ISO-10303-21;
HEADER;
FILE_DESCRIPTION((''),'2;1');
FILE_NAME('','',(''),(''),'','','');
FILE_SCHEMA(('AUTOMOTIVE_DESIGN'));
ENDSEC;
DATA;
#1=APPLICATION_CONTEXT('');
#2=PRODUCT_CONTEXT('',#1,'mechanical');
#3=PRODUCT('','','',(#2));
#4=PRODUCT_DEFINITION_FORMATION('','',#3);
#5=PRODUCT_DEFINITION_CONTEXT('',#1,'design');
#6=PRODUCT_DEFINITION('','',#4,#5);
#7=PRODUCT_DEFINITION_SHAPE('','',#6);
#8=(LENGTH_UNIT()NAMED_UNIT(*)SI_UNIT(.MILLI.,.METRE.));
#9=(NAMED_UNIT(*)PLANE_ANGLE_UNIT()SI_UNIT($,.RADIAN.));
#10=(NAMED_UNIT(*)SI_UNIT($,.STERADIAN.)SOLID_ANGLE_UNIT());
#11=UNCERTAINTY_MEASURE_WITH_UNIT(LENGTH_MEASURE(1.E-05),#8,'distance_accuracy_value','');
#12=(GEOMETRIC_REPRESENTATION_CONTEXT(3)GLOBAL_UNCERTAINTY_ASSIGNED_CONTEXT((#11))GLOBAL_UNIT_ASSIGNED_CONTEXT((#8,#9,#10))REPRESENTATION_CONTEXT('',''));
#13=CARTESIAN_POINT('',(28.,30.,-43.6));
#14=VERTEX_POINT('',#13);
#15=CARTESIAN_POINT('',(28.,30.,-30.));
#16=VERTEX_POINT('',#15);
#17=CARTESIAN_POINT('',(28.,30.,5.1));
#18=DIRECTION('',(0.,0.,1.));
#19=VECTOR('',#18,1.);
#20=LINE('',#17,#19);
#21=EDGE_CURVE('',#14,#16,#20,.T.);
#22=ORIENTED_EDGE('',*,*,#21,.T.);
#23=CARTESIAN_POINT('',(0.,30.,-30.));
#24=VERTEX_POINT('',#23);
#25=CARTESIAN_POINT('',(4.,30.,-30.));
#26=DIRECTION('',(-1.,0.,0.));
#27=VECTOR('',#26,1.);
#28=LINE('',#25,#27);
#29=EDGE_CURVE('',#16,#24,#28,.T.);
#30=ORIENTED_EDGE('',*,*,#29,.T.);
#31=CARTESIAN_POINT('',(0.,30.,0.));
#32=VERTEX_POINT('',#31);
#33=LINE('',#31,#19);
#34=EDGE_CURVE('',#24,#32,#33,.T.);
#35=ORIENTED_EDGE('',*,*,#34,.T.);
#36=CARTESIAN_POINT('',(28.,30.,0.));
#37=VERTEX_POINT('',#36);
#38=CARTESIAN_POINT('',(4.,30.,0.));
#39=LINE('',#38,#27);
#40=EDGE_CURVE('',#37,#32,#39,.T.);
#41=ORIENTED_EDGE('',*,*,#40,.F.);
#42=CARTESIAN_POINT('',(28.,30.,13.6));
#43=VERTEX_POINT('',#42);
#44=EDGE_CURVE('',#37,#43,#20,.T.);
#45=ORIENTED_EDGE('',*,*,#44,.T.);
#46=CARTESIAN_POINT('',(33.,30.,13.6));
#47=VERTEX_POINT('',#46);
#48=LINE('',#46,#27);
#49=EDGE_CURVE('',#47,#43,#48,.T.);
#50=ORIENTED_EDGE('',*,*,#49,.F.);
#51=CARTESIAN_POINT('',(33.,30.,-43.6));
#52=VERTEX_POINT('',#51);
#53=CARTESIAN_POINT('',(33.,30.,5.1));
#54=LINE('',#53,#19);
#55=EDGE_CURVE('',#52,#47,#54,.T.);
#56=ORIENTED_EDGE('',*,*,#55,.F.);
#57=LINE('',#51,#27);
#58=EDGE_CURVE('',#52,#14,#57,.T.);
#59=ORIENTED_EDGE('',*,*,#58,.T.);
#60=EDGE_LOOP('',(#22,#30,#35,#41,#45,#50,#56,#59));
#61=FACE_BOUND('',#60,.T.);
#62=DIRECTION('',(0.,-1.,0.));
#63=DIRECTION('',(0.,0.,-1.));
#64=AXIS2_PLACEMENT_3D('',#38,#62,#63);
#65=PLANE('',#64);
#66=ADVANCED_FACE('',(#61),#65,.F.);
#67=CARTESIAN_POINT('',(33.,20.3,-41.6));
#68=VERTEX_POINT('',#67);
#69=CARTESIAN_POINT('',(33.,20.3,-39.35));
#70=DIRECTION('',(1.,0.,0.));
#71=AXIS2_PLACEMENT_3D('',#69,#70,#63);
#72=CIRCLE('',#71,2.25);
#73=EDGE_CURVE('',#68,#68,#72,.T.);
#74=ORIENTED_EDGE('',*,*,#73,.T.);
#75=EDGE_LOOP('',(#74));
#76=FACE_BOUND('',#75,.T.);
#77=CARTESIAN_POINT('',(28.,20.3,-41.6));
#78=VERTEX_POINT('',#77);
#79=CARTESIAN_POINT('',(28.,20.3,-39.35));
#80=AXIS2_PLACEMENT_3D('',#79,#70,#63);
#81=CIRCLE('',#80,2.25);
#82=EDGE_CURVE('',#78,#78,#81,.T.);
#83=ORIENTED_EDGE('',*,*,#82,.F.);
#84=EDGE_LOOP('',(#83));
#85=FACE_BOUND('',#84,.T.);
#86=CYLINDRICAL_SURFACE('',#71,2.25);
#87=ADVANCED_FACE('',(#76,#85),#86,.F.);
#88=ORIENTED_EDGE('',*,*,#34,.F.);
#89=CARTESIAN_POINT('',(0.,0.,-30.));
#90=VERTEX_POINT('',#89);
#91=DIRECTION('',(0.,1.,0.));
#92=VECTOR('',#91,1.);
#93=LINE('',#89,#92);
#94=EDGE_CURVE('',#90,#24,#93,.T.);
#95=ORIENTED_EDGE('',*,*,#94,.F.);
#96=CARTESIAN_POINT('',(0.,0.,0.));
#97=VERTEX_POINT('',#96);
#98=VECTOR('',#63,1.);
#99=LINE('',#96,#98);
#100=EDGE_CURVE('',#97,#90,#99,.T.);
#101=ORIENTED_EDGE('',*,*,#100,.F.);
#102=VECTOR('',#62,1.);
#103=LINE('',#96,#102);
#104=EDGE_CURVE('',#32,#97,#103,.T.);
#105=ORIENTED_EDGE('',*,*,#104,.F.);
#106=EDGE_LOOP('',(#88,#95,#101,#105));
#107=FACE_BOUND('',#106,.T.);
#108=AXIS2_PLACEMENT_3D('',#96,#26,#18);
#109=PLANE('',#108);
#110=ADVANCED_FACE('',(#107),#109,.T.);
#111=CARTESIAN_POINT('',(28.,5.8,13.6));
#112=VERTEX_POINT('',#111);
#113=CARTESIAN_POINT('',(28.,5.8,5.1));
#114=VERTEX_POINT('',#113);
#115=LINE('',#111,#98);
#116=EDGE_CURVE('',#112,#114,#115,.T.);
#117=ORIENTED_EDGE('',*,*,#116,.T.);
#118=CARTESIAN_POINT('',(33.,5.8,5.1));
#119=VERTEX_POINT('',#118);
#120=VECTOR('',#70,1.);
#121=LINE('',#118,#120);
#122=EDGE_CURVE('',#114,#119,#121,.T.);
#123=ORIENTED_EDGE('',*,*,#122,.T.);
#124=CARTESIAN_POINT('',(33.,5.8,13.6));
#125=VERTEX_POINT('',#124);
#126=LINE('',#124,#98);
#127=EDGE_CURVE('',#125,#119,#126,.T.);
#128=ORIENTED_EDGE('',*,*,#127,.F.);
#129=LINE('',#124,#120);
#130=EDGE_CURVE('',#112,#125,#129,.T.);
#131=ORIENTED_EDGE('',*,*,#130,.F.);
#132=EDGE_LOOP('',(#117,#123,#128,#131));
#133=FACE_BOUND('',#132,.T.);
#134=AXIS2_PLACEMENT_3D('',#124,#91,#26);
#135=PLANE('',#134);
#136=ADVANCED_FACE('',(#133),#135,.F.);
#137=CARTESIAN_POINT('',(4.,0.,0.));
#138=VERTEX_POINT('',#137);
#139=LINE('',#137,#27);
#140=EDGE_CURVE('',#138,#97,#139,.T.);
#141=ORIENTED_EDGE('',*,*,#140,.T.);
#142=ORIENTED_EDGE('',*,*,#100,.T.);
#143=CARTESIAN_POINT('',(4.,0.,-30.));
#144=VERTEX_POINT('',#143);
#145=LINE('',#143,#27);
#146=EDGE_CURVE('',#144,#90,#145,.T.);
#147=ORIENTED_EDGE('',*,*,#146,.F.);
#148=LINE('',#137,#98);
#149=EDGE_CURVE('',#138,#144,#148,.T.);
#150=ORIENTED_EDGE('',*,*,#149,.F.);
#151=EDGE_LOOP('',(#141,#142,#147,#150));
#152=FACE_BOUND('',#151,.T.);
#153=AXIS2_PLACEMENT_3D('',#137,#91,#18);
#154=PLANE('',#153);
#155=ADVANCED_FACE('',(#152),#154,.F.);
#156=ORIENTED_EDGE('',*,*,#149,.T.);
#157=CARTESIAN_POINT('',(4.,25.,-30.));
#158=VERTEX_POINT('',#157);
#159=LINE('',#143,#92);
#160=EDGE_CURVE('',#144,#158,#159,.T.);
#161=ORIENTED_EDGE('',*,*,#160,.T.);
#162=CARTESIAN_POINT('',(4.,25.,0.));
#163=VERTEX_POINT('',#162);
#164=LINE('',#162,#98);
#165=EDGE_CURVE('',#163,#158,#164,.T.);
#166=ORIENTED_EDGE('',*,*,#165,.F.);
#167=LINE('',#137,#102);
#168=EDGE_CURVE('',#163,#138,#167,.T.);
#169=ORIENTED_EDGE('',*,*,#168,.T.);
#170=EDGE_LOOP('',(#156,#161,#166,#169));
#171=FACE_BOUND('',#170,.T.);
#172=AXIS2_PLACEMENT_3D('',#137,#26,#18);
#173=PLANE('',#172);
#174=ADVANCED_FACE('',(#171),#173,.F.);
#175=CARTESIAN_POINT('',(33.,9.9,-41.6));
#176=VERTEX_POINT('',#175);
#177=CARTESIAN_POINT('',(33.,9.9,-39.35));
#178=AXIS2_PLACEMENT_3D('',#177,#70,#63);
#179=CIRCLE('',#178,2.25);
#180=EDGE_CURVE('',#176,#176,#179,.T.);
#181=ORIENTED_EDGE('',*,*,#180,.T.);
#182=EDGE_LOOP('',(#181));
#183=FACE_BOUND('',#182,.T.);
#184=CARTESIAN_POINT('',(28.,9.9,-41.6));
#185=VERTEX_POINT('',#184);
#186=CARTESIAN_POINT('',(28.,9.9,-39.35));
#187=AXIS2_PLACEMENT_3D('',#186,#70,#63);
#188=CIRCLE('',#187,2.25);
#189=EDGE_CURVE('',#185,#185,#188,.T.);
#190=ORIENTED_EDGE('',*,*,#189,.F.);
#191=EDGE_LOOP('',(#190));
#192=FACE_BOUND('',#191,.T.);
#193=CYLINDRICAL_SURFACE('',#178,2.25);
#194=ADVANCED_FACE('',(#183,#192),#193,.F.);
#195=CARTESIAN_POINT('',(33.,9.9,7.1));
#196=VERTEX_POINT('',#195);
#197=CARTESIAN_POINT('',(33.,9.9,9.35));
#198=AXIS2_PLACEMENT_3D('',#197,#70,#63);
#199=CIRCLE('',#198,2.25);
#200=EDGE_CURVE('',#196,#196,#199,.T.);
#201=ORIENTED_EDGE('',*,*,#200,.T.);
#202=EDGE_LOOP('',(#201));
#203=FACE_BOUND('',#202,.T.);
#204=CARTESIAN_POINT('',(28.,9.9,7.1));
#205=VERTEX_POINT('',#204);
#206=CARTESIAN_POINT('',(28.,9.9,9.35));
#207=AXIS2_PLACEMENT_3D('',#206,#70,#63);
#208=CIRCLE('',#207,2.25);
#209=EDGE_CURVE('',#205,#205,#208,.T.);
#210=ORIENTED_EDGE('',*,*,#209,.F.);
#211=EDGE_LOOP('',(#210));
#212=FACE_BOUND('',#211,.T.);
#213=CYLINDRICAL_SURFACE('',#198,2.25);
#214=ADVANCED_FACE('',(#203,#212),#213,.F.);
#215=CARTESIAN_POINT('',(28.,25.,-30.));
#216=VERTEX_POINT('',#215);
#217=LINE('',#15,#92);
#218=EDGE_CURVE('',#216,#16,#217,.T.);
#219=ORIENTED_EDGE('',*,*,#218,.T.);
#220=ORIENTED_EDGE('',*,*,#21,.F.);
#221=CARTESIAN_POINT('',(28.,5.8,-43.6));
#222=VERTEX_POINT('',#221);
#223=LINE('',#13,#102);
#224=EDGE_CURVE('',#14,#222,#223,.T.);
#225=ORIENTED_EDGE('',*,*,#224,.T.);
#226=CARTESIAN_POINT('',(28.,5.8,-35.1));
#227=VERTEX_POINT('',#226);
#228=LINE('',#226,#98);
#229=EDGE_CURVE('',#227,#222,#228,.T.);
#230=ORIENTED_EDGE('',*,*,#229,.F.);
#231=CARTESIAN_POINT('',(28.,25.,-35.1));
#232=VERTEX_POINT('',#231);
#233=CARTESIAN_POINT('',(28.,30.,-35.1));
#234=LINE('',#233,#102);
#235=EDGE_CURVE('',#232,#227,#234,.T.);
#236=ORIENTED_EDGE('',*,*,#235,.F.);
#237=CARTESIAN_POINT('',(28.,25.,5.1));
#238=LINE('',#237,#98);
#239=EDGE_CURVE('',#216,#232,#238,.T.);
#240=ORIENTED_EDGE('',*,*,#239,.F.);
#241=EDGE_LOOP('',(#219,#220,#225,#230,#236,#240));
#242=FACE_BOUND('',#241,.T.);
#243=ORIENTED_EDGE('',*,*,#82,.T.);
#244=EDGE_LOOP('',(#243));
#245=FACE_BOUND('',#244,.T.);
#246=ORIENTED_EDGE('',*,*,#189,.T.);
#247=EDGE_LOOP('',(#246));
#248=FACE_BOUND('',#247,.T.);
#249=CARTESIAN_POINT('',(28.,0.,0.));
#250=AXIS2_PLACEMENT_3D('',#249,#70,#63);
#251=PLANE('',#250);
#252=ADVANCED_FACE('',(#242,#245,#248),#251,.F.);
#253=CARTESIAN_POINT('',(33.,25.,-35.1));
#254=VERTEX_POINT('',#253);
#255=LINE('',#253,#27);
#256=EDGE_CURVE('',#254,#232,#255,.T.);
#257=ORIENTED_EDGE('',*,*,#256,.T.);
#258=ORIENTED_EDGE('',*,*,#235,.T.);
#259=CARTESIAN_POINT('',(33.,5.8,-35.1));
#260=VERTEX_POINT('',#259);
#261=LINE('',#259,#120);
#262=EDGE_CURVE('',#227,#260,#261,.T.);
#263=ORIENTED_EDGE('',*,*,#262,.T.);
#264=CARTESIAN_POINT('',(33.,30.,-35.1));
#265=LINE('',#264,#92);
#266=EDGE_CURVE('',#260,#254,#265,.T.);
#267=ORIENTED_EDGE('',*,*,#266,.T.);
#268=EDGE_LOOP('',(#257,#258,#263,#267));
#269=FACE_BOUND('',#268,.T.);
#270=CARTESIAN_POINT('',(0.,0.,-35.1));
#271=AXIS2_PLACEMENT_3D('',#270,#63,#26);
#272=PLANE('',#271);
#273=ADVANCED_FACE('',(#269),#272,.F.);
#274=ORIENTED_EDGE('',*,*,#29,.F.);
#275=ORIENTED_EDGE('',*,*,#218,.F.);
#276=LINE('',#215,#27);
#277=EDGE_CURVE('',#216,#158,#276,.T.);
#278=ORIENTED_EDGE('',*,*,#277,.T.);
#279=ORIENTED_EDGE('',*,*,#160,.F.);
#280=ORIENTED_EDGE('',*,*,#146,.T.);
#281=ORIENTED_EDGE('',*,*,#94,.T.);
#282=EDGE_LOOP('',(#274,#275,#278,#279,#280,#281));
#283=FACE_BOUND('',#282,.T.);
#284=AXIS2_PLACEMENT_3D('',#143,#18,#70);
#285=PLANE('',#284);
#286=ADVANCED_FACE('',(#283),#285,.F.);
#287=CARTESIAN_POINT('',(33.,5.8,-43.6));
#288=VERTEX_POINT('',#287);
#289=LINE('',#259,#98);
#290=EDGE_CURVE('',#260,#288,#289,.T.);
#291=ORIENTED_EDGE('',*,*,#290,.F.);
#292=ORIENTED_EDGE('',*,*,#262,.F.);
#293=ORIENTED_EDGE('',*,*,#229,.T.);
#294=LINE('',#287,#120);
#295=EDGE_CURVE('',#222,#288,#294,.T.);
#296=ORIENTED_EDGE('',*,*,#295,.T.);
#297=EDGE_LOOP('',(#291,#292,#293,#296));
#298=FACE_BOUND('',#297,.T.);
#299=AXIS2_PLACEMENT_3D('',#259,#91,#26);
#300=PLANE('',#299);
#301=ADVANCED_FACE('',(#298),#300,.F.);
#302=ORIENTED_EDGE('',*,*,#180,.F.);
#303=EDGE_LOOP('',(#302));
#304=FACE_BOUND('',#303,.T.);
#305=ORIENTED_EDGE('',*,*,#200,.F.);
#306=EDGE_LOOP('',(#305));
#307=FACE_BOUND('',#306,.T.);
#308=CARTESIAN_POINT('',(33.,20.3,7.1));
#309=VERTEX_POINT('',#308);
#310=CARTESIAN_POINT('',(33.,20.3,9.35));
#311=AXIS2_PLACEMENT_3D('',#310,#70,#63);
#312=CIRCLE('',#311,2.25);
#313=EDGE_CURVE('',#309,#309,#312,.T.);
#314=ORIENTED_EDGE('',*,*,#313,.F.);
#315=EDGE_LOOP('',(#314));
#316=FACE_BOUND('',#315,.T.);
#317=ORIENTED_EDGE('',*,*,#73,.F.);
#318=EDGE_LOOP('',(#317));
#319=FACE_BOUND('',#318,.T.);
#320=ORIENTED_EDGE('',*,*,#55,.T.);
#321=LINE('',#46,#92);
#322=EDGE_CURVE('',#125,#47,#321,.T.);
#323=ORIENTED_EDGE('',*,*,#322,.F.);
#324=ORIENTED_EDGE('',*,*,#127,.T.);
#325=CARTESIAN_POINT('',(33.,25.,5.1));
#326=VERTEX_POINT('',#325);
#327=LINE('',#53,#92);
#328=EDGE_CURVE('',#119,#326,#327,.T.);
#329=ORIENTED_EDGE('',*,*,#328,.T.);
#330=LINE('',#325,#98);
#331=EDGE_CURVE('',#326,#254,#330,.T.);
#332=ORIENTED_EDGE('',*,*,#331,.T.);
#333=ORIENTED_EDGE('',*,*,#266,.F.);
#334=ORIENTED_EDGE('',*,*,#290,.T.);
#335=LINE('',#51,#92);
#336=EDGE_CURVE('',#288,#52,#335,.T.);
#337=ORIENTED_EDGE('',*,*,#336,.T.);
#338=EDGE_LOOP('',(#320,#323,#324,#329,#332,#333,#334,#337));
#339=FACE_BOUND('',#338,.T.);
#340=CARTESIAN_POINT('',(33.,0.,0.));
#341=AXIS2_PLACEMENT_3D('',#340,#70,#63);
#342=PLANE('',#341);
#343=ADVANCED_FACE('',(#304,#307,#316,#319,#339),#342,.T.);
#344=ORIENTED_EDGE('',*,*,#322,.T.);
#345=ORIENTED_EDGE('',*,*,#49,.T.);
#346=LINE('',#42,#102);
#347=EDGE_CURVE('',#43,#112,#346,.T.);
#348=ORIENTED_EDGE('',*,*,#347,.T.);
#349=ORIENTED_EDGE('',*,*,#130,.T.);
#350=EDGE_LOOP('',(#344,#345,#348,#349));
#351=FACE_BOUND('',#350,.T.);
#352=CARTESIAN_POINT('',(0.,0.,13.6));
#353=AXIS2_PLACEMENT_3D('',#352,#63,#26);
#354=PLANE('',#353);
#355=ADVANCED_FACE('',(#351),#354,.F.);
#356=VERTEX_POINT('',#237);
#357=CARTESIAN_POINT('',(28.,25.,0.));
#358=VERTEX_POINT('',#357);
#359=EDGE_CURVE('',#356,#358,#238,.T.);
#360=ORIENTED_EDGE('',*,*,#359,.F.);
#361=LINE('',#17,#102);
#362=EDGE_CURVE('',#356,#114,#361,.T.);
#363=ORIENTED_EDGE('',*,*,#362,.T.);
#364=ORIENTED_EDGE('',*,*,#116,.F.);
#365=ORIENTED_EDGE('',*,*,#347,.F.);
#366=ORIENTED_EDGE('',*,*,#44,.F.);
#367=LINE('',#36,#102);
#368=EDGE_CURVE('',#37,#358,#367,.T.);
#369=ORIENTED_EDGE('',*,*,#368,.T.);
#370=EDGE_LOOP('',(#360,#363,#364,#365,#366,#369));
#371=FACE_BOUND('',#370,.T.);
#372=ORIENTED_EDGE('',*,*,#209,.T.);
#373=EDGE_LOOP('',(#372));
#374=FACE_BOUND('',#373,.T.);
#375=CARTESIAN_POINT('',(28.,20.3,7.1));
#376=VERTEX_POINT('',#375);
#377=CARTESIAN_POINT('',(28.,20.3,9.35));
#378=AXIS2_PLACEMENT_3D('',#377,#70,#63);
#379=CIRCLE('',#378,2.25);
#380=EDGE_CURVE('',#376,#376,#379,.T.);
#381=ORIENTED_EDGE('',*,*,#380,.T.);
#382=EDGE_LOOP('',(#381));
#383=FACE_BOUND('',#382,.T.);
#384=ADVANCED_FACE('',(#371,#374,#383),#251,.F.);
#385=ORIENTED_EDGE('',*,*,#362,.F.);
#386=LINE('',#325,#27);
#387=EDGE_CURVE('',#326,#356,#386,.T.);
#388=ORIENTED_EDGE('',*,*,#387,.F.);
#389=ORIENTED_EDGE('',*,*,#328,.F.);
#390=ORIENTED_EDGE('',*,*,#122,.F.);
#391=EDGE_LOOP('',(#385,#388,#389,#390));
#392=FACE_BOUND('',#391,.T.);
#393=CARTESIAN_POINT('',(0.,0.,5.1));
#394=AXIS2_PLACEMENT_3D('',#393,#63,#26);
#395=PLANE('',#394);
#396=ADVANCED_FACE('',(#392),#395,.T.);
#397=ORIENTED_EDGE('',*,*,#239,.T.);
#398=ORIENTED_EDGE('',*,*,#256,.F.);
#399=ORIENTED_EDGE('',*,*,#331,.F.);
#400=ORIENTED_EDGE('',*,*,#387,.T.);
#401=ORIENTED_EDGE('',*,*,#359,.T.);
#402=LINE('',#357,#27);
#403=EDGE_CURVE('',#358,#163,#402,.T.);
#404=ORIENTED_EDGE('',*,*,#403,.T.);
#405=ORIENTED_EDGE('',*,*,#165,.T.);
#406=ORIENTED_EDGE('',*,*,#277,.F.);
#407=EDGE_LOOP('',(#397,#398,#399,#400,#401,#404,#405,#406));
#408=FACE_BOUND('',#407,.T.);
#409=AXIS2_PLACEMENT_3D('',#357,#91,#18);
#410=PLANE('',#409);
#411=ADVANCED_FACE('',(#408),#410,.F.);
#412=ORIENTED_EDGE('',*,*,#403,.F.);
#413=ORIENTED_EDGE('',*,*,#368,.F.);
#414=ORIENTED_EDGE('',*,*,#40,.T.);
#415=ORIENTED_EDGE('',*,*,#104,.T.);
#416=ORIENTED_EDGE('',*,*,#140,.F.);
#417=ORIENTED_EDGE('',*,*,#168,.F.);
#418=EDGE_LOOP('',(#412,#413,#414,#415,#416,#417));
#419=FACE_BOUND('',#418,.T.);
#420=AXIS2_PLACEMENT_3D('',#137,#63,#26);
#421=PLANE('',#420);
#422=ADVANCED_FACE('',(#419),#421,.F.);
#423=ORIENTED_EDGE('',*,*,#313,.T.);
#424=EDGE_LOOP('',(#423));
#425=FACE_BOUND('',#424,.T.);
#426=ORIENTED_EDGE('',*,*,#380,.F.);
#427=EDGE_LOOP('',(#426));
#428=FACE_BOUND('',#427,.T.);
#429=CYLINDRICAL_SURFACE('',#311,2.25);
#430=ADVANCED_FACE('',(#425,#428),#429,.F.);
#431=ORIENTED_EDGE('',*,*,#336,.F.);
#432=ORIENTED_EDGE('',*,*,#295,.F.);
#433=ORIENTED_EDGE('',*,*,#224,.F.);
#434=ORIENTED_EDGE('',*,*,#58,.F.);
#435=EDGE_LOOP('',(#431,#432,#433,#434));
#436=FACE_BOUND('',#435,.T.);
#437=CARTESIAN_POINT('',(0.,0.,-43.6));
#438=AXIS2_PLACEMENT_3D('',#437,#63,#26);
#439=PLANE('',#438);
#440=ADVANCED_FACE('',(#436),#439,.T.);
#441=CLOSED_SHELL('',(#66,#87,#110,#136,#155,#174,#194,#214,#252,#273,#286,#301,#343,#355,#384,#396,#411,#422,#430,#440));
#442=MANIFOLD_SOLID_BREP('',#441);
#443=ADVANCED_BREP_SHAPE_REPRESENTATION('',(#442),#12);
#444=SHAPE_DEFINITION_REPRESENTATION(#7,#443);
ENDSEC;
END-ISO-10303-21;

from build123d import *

# Parameters (mm, degrees)
SKETCH1_W            = 30
SKETCH1_H            = 30
BOSS_EXTRUDE1_DEPTH  = 4
SKETCH3_W            = 30
SKETCH3_H            = 5
BOSS_EXTRUDE2_DEPTH  = 24
SKETCH4_W            = 40.2
SKETCH4_H            = 5
BOSS_EXTRUDE3_DEPTH  = 5
SKETCH5_W            = 5
SKETCH5_H            = 24.2
BOSS_EXTRUDE4_DEPTH  = 8.5
LPATTERN1_COUNT      = 2
LPATTERN1_PITCH      = 48.7
M4_CLEARANCE_HOLE1_D = 4.5


with BuildPart() as part:
    # Sketch1 → Boss-Extrude1 (new body)
    with BuildSketch(Plane(origin=(0, 0, 0), x_dir=(0, 0, -1), z_dir=(1, 0, 0))):
        with Locations((15, 15)):
            Rectangle(SKETCH1_W, SKETCH1_H)
    extrude(amount=BOSS_EXTRUDE1_DEPTH)

    # Sketch3 → Boss-Extrude2 (add)
    with BuildSketch(Plane(origin=(4, 0, 0), x_dir=(0, 0, -1), z_dir=(1, 0, 0))):
        with Locations((15, 27.5)):
            Rectangle(SKETCH3_W, SKETCH3_H)
    extrude(amount=BOSS_EXTRUDE2_DEPTH)

    # Sketch4 → Boss-Extrude3 (add)
    with BuildSketch(Plane(origin=(28, 0, 0), x_dir=(0, 0, -1), z_dir=(1, 0, 0))):
        with Locations((15, 27.5)):
            Rectangle(SKETCH4_W, SKETCH4_H)
    extrude(amount=BOSS_EXTRUDE3_DEPTH)

    # Sketch5 → Boss-Extrude4 (add)
    with BuildSketch(Plane.XY.offset(5.1)):
        with Locations((30.5, 17.9)):
            Rectangle(SKETCH5_W, SKETCH5_H)
    boss_extrude4 = extrude(amount=BOSS_EXTRUDE4_DEPTH)

    # LPattern1: Boss-Extrude4 ×2
    with Locations(*[(0, 0, -i * LPATTERN1_PITCH) for i in range(1, LPATTERN1_COUNT)]):
        add(boss_extrude4)

    # M4 Clearance Hole1 (through all)
    with Locations(Plane(origin=(33, 0, 0), x_dir=(0, 0, -1), z_dir=(1, 0, 0))):
        with Locations((-9.35, 20.3), (-9.35, 9.9), (39.35, 20.3), (39.35, 9.9)):
            Hole(M4_CLEARANCE_HOLE1_D / 2)


solid = part.part
